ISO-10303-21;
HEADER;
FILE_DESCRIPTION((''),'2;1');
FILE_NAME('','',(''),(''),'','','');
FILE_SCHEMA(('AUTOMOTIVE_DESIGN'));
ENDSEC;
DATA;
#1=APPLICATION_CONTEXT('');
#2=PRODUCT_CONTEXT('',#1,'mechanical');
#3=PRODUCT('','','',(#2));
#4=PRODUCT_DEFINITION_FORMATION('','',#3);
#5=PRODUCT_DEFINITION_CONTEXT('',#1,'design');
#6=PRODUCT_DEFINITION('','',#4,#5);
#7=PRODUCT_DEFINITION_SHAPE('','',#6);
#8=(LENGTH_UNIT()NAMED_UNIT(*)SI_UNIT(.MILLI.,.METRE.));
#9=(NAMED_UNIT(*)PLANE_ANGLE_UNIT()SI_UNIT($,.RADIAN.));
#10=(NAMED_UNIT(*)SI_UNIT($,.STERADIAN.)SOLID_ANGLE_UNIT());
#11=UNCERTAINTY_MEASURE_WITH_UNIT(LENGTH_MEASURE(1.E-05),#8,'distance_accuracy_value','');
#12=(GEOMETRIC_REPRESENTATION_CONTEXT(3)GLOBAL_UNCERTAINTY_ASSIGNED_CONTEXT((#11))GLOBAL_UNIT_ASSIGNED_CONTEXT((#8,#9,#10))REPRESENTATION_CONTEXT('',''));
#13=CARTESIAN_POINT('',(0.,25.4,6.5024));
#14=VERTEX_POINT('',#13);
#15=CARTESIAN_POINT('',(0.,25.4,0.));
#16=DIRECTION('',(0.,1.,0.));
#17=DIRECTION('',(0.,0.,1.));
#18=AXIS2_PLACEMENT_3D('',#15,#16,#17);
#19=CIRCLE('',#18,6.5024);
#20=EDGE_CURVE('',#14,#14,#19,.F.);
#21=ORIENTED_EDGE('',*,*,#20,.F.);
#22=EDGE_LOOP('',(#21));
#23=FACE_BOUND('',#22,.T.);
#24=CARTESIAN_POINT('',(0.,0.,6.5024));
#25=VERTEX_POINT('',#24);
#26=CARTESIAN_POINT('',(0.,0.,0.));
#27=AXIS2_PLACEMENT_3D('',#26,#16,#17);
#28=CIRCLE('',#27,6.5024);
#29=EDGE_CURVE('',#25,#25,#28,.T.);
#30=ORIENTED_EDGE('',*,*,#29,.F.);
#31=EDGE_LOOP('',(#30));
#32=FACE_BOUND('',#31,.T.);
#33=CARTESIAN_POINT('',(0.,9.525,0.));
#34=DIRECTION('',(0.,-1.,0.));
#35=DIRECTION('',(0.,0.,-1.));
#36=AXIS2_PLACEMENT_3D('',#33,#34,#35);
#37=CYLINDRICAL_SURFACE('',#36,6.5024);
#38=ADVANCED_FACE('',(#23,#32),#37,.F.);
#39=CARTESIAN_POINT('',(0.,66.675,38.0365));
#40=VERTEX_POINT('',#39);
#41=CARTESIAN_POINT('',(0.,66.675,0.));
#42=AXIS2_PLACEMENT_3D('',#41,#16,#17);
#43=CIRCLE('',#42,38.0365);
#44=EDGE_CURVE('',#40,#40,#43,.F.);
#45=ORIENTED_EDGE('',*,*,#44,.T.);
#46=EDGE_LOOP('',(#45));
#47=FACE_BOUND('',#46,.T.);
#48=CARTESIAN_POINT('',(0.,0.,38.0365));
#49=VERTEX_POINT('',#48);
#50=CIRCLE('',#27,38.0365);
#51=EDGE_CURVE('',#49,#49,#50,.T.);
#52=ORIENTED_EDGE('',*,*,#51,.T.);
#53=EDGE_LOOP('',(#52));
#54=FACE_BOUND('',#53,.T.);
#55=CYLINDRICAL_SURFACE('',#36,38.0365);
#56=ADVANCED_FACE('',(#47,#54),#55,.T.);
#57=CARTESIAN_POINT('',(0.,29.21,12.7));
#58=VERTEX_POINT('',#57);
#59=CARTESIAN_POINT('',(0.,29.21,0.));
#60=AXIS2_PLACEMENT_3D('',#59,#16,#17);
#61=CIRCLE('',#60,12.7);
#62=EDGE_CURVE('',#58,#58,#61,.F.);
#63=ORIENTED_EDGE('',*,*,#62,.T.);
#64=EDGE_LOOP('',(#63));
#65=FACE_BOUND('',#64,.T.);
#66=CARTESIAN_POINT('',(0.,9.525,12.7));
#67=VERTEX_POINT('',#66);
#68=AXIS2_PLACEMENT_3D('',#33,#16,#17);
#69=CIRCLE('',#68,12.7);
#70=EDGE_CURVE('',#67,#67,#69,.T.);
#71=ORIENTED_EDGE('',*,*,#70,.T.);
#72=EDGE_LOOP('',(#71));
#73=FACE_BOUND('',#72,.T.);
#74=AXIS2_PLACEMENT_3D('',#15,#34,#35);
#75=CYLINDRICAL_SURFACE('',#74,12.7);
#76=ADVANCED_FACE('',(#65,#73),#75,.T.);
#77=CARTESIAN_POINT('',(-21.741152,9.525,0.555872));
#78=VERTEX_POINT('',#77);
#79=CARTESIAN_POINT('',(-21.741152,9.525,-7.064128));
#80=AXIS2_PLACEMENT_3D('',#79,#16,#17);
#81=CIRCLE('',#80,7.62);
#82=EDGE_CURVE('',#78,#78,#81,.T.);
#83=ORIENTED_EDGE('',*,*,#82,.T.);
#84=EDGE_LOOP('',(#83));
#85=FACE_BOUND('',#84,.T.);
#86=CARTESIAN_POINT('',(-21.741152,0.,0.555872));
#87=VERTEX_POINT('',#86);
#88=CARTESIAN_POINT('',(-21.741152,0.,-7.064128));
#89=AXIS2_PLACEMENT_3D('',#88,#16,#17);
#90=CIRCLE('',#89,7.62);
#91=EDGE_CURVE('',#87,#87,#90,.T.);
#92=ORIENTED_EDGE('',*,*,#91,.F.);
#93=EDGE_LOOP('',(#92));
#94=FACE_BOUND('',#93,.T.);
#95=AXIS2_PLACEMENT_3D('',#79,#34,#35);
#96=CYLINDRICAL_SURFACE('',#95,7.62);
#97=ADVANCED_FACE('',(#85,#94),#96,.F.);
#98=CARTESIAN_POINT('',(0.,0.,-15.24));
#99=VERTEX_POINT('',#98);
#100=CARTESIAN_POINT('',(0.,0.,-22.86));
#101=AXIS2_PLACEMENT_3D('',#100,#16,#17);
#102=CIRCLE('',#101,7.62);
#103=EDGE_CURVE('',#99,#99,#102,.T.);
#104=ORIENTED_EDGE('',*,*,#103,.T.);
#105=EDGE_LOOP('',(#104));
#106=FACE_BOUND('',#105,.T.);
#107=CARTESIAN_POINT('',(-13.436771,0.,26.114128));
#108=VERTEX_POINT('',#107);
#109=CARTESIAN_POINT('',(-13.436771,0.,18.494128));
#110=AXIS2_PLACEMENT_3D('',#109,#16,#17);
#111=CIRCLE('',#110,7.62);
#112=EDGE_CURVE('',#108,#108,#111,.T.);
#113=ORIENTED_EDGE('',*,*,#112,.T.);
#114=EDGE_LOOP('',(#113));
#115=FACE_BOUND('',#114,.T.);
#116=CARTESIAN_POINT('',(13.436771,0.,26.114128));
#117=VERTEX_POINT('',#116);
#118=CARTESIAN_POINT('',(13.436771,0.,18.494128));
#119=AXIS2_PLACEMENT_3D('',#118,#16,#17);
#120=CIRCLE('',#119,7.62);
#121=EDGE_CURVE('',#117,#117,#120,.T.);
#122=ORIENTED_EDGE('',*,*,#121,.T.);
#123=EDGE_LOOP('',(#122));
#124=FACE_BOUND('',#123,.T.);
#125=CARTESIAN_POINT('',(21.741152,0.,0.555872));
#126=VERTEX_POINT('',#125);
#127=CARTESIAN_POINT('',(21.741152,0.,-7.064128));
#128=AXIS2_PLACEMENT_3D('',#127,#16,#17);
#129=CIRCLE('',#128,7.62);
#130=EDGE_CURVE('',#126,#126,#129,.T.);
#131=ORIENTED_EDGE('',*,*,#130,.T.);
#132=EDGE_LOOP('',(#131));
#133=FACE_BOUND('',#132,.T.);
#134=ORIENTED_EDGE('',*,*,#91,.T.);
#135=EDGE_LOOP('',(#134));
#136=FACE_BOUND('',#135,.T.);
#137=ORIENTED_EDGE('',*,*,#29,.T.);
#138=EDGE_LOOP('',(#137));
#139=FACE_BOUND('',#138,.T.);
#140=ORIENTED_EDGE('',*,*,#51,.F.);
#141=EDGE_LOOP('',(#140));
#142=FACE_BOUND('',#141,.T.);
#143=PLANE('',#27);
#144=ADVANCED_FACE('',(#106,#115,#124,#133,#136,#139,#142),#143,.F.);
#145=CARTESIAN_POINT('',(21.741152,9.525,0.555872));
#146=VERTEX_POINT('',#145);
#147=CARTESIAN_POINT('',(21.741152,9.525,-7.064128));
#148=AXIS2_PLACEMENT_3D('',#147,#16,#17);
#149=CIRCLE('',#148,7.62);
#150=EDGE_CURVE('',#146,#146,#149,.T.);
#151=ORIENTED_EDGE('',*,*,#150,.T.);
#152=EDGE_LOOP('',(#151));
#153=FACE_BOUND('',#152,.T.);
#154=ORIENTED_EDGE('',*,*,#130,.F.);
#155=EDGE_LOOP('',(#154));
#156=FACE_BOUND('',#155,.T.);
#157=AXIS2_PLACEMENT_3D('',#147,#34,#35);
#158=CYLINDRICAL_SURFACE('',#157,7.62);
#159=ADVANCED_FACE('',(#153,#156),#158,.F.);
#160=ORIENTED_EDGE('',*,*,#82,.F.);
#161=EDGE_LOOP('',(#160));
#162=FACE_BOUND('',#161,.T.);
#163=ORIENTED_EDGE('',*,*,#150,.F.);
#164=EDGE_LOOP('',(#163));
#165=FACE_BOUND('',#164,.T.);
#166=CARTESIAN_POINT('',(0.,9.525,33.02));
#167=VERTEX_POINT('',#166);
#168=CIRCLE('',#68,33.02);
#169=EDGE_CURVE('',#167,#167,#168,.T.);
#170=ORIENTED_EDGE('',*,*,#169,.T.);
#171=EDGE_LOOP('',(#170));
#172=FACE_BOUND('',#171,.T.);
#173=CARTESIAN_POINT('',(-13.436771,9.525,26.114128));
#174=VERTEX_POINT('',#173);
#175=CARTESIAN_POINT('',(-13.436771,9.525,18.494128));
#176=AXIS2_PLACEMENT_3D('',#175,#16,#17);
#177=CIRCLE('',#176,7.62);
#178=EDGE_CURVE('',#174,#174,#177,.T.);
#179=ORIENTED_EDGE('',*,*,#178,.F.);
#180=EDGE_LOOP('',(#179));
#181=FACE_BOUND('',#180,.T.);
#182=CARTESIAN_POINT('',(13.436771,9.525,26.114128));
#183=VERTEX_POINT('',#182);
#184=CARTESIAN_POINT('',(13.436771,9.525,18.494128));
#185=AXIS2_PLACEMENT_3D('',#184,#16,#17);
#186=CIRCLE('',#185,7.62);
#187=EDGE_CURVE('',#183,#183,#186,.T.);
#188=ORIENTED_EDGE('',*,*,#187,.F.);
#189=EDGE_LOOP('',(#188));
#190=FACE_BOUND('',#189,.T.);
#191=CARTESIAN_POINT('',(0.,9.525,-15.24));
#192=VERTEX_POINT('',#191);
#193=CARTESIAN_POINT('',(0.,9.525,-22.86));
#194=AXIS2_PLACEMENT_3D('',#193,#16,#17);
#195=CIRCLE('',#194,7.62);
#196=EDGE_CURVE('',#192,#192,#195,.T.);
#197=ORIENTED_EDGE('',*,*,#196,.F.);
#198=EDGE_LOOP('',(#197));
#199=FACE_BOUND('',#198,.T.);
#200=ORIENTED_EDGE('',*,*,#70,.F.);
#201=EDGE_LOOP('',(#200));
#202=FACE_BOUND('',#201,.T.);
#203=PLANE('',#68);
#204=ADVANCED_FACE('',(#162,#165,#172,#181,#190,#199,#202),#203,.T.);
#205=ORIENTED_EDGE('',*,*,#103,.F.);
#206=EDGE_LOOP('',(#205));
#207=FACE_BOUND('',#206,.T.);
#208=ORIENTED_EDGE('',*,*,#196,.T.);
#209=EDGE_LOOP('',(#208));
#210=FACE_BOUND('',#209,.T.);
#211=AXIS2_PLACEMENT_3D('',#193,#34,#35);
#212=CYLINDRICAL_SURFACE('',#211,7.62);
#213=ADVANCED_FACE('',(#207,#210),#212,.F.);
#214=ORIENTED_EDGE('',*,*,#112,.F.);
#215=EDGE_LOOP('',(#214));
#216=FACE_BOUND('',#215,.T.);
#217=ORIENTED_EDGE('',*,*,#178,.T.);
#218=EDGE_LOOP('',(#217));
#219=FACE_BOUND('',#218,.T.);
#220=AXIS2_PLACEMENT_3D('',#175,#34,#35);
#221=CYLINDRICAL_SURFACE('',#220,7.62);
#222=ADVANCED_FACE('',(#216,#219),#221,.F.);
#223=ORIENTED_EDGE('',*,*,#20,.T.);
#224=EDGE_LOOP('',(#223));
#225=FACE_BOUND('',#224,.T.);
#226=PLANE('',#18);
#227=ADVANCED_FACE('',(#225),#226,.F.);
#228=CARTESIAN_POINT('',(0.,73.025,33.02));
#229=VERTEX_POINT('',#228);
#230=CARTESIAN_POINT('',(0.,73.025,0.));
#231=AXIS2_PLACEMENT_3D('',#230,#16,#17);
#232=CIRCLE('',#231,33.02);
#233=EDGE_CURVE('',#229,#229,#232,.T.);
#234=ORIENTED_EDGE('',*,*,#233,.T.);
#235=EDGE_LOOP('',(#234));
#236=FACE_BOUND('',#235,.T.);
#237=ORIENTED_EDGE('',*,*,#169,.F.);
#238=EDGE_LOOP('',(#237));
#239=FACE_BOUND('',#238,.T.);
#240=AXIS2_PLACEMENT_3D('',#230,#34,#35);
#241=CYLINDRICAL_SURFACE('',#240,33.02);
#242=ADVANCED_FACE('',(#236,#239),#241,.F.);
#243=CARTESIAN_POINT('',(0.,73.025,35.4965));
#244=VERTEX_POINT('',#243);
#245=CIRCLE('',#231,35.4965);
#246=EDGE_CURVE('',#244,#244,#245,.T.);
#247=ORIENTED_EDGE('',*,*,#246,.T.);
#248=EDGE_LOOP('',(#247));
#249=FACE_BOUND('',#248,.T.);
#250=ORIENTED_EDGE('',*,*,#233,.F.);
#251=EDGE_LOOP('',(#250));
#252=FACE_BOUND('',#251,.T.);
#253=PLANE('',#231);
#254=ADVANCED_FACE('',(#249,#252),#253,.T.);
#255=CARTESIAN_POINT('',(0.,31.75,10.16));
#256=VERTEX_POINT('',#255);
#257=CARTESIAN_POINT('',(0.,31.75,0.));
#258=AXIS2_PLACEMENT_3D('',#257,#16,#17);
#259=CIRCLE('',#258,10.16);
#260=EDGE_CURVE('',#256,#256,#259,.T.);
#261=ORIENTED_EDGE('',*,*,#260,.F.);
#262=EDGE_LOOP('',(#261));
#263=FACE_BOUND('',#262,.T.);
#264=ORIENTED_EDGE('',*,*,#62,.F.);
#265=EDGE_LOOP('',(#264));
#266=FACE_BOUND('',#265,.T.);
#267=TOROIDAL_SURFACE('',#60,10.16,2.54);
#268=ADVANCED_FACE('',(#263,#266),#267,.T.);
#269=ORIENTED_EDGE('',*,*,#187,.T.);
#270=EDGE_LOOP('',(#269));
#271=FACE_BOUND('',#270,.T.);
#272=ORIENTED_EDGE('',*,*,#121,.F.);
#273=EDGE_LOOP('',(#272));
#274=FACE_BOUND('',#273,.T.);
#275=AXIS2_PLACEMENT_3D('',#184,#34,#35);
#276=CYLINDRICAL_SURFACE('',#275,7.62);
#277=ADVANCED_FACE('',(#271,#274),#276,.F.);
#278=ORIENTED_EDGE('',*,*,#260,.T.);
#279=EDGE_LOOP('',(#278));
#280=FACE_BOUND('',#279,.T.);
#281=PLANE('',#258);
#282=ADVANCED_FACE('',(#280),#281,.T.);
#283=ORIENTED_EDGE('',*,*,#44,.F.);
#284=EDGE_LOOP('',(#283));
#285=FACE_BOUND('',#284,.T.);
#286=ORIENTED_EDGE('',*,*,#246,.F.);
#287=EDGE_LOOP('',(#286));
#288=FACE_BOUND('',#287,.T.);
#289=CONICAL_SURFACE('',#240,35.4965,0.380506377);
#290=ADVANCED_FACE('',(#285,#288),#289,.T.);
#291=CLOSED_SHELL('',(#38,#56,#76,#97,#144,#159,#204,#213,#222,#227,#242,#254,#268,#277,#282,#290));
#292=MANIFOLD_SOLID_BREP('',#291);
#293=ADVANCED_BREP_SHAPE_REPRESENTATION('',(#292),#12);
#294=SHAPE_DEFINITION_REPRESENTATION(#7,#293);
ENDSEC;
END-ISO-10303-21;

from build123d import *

# Parameters (mm, degrees)
SKETCH1_R           = 38.0365
SKETCH1_R_2         = 6.5024
SKETCH1_R_3         = 7.62
BOSS_EXTRUDE1_DEPTH = 9.525
SKETCH2_R           = 38.0365
SKETCH2_R_2         = 33.02
BOSS_EXTRUDE2_DEPTH = 63.5
SKETCH3_R           = 12.7
SKETCH3_R_2         = 6.5024
BOSS_EXTRUDE3_DEPTH = 15.875
CHAMFER1_SIZE       = 6.35
CHAMFER1_SIZE2      = 2.54
SKETCH4_R           = 12.7
BOSS_EXTRUDE4_DEPTH = 6.35
FILLET1_R           = 2.54


with BuildPart() as part:
    # Sketch1 → Boss-Extrude1 (new body)
    with BuildSketch(Plane(origin=(0, 0, 0), x_dir=(1, 0, 0), z_dir=(0, 1, 0))):
        Circle(SKETCH1_R)
        Circle(SKETCH1_R_2, mode=Mode.SUBTRACT)
        with Locations((0, 22.86)):
            Circle(SKETCH1_R_3, mode=Mode.SUBTRACT)
        with Locations((21.741151963, 7.064128491)):
            Circle(SKETCH1_R_3, mode=Mode.SUBTRACT)
        with Locations((13.436770867, -18.494128491)):
            Circle(SKETCH1_R_3, mode=Mode.SUBTRACT)
        with Locations((-13.436770867, -18.494128491)):
            Circle(SKETCH1_R_3, mode=Mode.SUBTRACT)
        with Locations((-21.741151963, 7.064128491)):
            Circle(SKETCH1_R_3, mode=Mode.SUBTRACT)
    extrude(amount=BOSS_EXTRUDE1_DEPTH)

    # Sketch2 → Boss-Extrude2 (add)
    with BuildSketch(Plane(origin=(0, 9.525, 0), x_dir=(1, 0, 0), z_dir=(0, 1, 0))):
        Circle(SKETCH2_R)
        Circle(SKETCH2_R_2, mode=Mode.SUBTRACT)
    extrude(amount=BOSS_EXTRUDE2_DEPTH)

    # Sketch3 → Boss-Extrude3 (add)
    with BuildSketch(Plane(origin=(0, 9.525, 0), x_dir=(1, 0, 0), z_dir=(0, 1, 0))):
        Circle(SKETCH3_R)
        Circle(SKETCH3_R_2, mode=Mode.SUBTRACT)
    extrude(amount=BOSS_EXTRUDE3_DEPTH)

    # Chamfer1
    chamfer1_edges = [part.edges().sort_by_distance(p)[0] for p in [
        (-38.0365, 73.025, 0),
    ]]
    chamfer1_side = [part.faces().sort_by_distance(p)[0] for p in [
        (-38.0365, 36.5125, 0),
    ]]
    chamfer(chamfer1_edges, length=CHAMFER1_SIZE, length2=CHAMFER1_SIZE2, reference=chamfer1_side[0])

    # Sketch4 → Boss-Extrude4 (add)
    with BuildSketch(Plane(origin=(0, 25.4, 0), x_dir=(1, 0, 0), z_dir=(0, 1, 0))):
        Circle(SKETCH4_R)
    extrude(amount=BOSS_EXTRUDE4_DEPTH)

    # Fillet1
    fillet1_edges = [part.edges().sort_by_distance(p)[0] for p in [
        (-12.7, 31.75, 0),
    ]]
    fillet(fillet1_edges, radius=FILLET1_R)


solid = part.part
